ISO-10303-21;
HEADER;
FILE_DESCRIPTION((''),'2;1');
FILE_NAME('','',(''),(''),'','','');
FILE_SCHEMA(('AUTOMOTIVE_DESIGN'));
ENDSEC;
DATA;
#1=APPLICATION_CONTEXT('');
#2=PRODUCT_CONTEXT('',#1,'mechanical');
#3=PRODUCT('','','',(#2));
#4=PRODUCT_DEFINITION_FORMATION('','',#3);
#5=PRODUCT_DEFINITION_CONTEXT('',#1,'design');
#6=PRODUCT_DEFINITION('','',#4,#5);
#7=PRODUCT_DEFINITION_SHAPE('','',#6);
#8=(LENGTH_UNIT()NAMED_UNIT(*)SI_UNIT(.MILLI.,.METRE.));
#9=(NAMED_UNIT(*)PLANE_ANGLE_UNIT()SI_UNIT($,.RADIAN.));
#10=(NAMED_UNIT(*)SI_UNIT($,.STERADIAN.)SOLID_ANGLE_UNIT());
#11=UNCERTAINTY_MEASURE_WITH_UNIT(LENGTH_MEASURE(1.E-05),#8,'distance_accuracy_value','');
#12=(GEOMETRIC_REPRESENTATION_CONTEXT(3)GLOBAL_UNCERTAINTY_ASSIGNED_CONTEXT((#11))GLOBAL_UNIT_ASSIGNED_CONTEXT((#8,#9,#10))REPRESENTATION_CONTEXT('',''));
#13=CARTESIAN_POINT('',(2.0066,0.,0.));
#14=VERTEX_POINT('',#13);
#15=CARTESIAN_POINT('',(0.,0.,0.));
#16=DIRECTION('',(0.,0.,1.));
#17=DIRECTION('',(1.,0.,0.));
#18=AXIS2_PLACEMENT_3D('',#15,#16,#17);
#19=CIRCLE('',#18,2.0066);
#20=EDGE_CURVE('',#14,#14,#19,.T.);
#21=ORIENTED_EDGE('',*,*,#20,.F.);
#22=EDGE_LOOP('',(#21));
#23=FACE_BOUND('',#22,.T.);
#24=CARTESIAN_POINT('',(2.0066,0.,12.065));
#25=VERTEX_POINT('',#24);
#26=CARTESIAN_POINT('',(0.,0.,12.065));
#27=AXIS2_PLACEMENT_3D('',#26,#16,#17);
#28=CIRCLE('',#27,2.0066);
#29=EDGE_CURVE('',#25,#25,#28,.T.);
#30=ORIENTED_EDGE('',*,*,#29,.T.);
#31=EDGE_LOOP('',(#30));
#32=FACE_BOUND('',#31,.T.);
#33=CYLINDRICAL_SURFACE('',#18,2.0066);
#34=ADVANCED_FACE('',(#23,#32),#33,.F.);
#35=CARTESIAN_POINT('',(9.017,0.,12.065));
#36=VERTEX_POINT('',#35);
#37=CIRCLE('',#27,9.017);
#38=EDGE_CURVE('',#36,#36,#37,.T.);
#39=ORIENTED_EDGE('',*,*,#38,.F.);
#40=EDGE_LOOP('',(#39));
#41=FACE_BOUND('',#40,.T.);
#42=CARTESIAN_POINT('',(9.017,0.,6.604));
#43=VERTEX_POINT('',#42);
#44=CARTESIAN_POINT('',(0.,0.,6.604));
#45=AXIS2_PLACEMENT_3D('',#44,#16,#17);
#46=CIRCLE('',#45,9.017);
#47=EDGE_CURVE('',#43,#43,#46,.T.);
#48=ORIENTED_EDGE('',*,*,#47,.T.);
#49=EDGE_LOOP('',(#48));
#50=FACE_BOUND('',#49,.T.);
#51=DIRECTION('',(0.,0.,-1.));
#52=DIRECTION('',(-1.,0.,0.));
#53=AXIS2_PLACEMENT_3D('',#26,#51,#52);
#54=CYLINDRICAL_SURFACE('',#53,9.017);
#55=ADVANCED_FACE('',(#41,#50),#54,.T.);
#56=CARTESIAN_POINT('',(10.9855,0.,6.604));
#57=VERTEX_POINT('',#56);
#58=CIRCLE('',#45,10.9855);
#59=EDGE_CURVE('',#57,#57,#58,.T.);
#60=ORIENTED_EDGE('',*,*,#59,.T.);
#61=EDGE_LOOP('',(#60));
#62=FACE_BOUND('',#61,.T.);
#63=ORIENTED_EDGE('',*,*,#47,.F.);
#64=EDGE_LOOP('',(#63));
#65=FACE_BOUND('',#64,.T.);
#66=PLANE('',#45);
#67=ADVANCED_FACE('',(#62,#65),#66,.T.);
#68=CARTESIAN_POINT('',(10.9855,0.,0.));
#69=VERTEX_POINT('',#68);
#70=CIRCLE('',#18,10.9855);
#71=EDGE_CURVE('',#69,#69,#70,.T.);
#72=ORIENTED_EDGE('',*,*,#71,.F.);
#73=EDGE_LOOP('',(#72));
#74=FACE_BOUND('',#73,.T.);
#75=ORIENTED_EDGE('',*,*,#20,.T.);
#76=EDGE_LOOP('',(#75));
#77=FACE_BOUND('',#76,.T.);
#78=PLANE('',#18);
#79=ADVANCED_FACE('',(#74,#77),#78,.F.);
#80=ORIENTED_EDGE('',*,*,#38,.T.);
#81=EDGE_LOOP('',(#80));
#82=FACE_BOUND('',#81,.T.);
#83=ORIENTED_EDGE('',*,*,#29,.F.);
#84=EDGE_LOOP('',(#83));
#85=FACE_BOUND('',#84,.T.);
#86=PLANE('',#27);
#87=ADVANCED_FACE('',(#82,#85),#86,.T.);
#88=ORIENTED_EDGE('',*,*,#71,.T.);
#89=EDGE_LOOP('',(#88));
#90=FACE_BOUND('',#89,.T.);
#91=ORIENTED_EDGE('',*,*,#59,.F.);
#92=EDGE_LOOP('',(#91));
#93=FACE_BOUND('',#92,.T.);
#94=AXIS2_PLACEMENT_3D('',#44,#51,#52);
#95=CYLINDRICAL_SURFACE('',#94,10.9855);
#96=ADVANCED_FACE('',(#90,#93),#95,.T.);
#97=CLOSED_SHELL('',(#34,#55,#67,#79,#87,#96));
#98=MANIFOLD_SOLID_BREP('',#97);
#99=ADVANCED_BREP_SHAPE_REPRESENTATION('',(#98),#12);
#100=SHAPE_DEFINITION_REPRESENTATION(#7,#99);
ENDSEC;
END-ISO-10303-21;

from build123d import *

# Parameters (mm, degrees)
SKETCH1_R           = 10.9855
BOSS_EXTRUDE1_DEPTH = 6.604
SKETCH2_R           = 9.017
BOSS_EXTRUDE2_DEPTH = 5.461
SKETCH3_R           = 2.0066
CUT_EXTRUDE1_DEPTH  = 13.065


with BuildPart() as part:
    # Sketch1 → Boss-Extrude1 (new body)
    with BuildSketch(Plane.XY):
        Circle(SKETCH1_R)
    extrude(amount=BOSS_EXTRUDE1_DEPTH)

    # Sketch2 → Boss-Extrude2 (add)
    with BuildSketch(Plane.XY.offset(6.604)):
        Circle(SKETCH2_R)
    extrude(amount=BOSS_EXTRUDE2_DEPTH)

    # Sketch3 → Cut-Extrude1 (cut, through all)
    with BuildSketch(Plane.XY.offset(12.065)):
        Circle(SKETCH3_R)
    extrude(amount=-CUT_EXTRUDE1_DEPTH, mode=Mode.SUBTRACT)


solid = part.part
